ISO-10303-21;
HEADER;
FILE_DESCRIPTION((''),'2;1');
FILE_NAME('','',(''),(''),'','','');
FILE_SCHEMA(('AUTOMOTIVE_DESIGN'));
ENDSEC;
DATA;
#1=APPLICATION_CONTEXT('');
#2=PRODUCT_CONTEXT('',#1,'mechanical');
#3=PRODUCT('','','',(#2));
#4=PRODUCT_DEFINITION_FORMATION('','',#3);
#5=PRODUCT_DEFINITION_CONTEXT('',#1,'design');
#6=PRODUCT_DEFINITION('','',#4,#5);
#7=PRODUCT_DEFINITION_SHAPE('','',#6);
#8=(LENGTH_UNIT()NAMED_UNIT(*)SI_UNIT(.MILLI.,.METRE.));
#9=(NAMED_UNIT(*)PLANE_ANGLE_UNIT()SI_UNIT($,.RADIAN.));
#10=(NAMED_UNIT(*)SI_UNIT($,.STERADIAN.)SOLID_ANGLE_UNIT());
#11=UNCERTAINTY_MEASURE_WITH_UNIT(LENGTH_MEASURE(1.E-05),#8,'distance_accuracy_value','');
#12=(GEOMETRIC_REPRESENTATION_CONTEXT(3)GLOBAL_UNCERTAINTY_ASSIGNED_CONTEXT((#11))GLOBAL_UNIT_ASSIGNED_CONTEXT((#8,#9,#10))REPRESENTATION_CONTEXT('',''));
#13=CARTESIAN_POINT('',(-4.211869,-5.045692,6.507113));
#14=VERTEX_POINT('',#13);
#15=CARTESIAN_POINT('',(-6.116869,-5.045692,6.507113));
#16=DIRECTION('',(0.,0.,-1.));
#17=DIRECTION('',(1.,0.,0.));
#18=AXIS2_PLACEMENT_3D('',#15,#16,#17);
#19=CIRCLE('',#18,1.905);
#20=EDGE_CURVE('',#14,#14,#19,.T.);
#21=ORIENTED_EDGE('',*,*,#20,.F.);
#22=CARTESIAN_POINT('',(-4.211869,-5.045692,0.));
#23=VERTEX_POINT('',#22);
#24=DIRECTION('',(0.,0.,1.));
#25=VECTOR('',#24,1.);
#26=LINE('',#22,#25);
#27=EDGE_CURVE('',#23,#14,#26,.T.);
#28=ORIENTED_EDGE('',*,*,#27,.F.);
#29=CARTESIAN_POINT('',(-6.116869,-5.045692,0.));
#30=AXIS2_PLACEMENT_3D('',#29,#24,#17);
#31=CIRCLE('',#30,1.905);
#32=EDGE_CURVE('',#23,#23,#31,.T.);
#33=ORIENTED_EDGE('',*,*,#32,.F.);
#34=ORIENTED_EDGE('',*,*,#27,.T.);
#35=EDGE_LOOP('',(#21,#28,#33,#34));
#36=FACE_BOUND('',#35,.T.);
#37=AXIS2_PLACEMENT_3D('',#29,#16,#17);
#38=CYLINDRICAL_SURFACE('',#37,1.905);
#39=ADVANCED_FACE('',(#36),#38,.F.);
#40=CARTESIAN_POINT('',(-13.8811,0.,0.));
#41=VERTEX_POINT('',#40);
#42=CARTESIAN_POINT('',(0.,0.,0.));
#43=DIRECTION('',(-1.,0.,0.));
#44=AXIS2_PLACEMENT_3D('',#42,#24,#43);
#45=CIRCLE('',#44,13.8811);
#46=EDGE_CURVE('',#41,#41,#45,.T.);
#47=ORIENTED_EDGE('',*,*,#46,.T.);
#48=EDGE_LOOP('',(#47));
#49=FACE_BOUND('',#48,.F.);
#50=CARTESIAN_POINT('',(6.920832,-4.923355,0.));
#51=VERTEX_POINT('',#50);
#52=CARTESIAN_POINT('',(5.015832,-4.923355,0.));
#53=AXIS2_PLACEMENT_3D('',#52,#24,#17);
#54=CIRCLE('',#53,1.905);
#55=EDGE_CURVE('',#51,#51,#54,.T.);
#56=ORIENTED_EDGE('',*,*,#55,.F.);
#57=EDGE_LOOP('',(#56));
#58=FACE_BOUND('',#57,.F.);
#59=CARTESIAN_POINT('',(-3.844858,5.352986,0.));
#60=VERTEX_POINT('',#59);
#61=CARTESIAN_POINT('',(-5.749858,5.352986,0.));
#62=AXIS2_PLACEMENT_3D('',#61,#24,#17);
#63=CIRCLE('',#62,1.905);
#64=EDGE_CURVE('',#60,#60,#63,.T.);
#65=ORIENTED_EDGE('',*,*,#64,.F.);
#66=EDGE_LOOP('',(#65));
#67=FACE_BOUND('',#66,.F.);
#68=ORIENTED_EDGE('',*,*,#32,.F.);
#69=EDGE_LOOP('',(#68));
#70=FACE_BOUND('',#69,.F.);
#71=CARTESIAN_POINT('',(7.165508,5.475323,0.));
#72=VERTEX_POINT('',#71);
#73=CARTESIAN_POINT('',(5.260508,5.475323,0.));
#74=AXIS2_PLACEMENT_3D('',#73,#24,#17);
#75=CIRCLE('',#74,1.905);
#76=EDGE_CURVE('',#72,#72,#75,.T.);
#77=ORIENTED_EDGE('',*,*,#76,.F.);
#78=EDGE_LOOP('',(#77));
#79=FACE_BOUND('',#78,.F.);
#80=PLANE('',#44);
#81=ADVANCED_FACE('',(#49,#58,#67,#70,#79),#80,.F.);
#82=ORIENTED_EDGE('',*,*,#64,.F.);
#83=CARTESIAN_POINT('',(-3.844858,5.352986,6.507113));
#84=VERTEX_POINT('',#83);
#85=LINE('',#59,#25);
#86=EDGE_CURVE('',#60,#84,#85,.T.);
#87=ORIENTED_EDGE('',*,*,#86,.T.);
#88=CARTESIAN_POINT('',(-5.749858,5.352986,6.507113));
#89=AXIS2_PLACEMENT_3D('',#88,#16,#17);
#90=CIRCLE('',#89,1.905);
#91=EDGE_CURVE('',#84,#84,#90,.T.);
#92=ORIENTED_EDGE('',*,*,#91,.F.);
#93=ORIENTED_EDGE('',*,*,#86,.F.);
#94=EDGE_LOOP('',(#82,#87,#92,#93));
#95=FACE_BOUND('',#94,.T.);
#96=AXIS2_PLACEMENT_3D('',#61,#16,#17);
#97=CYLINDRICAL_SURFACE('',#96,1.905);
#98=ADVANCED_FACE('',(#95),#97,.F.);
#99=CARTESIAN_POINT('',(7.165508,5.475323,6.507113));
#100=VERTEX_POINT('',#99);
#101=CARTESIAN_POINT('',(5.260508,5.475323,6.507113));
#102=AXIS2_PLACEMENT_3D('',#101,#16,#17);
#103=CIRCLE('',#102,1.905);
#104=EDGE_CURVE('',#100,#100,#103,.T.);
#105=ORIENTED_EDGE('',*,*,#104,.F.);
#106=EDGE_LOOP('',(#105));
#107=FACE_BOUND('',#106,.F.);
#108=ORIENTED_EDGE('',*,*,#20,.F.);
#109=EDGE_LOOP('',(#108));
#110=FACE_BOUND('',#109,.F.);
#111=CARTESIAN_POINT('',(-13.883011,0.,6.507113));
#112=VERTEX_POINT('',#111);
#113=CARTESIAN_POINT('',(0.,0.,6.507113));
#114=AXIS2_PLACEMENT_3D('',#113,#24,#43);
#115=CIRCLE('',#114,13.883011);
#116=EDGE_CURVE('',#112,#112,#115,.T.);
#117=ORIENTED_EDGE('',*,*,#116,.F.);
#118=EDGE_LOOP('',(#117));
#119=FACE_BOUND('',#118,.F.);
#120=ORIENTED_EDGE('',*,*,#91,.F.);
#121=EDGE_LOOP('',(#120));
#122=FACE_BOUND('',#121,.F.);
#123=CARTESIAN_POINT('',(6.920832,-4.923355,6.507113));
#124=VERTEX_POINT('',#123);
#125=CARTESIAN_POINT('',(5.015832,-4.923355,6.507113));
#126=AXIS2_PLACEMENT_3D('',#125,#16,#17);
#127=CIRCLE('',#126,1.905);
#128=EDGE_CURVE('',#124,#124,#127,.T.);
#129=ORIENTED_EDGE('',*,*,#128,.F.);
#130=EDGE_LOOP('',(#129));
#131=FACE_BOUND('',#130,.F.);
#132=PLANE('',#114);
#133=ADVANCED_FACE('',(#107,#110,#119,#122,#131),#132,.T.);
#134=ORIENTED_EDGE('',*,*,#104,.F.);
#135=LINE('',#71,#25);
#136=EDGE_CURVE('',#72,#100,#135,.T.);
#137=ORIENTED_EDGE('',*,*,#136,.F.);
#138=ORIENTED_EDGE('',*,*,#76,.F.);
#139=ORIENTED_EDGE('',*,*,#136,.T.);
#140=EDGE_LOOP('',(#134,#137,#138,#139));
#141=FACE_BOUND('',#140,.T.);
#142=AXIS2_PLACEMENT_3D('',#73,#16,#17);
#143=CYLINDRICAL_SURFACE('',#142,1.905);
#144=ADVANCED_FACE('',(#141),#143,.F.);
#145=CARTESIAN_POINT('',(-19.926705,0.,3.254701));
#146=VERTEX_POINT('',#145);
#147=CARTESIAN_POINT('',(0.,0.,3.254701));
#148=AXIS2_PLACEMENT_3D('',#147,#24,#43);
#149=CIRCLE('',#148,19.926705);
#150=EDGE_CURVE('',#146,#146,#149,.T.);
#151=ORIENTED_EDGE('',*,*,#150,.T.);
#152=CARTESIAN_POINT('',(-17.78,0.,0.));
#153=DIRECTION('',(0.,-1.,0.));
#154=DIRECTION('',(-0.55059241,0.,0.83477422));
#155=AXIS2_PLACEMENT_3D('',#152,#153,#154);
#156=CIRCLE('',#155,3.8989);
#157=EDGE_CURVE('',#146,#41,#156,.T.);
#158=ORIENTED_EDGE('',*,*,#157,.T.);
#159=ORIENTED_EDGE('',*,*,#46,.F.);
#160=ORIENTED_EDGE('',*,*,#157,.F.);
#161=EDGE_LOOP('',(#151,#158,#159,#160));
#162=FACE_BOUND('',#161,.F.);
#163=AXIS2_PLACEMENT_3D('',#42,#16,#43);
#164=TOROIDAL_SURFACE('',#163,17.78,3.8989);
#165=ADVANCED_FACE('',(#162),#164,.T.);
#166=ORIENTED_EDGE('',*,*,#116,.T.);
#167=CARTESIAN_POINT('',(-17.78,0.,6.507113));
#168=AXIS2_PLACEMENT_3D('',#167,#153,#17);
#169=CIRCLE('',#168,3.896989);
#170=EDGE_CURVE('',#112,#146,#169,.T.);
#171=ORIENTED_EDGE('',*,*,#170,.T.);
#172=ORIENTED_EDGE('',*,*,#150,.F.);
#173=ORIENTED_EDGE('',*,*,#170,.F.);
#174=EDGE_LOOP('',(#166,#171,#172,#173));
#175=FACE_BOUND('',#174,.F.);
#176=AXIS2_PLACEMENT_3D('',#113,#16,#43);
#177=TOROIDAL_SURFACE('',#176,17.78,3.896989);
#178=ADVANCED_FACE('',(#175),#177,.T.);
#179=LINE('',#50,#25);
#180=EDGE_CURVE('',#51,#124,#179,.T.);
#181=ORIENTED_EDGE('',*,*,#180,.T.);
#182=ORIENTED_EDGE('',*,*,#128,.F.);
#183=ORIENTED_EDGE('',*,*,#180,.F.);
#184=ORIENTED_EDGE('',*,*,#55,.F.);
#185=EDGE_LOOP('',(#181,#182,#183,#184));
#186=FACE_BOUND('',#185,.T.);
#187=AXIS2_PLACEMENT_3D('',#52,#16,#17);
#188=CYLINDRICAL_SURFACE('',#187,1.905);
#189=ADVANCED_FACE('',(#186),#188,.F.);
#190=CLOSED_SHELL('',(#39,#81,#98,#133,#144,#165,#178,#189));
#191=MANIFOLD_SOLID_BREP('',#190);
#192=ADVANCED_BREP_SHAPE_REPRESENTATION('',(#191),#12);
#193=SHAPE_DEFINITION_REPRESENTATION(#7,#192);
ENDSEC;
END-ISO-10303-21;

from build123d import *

# Parameters (mm, degrees)
F2_R     = 1.905
F3_DEPTH = 25.4


with BuildPart() as f1:
    # F0 (on Front) → F1 (revolve)
    with BuildSketch(Plane.XZ):
        Polygon((-13.8811003439, 0), (0, 0), (0, 6.5071131103), (-13.8830111907, 6.5071131103), (-17.7800003439, 6.5071131103), (-17.7800003439, 3.8989), (-17.7800003439, 2.6101239571), (-17.7800003439, 0), align=None)
        with BuildLine():
            ThreePointArc((-19.9267050901, 3.2547012063), (-19.6281932552, -3.4330167743), (-13.8811003439, 0))
            Line((-13.8811003439, 0), (-17.7800003439, 0))
            Line((-17.7800003439, 0), (-17.7800003439, 2.6101239571))
            ThreePointArc((-17.7800003439, 2.6101239571), (-18.9006944478, 2.7747453382), (-19.9267050901, 3.2547012063))
        make_face()
        with BuildLine():
            ThreePointArc((-17.7800003439, 3.8989), (-18.9006400444, 3.7343791816), (-19.9267050901, 3.2547012063))
            ThreePointArc((-19.9267050901, 3.2547012063), (-18.9006944478, 2.7747453382), (-17.7800003439, 2.6101239571))
            Line((-17.7800003439, 2.6101239571), (-17.7800003439, 3.8989))
        make_face()
        with BuildLine():
            ThreePointArc((-13.8830111907, 6.5071131103), (-19.6267325049, 9.9387460723), (-19.9267050901, 3.2547012063))
            ThreePointArc((-19.9267050901, 3.2547012063), (-18.9006400444, 3.7343791816), (-17.7800003439, 3.8989))
            Line((-17.7800003439, 3.8989), (-17.7800003439, 6.5071131103))
            Line((-17.7800003439, 6.5071131103), (-13.8830111907, 6.5071131103))
        make_face()
    revolve(axis=Axis((0, 0, 3.2535565551), (0, 0, 1)))

    # F2 (on Top) → F3 (cut)
    with BuildSketch(Plane.XY):
        with Locations((-5.7498575188, 5.3529855795)):
            Circle(F2_R)
        with Locations((5.2605080418, 5.4753227159)):
            Circle(F2_R)
        with Locations((-6.1168693937, -5.0456924364)):
            Circle(F2_R)
        with Locations((5.0158319063, -4.9233548343)):
            Circle(F2_R)
    extrude(amount=F3_DEPTH, mode=Mode.SUBTRACT)


solid = f1.part
